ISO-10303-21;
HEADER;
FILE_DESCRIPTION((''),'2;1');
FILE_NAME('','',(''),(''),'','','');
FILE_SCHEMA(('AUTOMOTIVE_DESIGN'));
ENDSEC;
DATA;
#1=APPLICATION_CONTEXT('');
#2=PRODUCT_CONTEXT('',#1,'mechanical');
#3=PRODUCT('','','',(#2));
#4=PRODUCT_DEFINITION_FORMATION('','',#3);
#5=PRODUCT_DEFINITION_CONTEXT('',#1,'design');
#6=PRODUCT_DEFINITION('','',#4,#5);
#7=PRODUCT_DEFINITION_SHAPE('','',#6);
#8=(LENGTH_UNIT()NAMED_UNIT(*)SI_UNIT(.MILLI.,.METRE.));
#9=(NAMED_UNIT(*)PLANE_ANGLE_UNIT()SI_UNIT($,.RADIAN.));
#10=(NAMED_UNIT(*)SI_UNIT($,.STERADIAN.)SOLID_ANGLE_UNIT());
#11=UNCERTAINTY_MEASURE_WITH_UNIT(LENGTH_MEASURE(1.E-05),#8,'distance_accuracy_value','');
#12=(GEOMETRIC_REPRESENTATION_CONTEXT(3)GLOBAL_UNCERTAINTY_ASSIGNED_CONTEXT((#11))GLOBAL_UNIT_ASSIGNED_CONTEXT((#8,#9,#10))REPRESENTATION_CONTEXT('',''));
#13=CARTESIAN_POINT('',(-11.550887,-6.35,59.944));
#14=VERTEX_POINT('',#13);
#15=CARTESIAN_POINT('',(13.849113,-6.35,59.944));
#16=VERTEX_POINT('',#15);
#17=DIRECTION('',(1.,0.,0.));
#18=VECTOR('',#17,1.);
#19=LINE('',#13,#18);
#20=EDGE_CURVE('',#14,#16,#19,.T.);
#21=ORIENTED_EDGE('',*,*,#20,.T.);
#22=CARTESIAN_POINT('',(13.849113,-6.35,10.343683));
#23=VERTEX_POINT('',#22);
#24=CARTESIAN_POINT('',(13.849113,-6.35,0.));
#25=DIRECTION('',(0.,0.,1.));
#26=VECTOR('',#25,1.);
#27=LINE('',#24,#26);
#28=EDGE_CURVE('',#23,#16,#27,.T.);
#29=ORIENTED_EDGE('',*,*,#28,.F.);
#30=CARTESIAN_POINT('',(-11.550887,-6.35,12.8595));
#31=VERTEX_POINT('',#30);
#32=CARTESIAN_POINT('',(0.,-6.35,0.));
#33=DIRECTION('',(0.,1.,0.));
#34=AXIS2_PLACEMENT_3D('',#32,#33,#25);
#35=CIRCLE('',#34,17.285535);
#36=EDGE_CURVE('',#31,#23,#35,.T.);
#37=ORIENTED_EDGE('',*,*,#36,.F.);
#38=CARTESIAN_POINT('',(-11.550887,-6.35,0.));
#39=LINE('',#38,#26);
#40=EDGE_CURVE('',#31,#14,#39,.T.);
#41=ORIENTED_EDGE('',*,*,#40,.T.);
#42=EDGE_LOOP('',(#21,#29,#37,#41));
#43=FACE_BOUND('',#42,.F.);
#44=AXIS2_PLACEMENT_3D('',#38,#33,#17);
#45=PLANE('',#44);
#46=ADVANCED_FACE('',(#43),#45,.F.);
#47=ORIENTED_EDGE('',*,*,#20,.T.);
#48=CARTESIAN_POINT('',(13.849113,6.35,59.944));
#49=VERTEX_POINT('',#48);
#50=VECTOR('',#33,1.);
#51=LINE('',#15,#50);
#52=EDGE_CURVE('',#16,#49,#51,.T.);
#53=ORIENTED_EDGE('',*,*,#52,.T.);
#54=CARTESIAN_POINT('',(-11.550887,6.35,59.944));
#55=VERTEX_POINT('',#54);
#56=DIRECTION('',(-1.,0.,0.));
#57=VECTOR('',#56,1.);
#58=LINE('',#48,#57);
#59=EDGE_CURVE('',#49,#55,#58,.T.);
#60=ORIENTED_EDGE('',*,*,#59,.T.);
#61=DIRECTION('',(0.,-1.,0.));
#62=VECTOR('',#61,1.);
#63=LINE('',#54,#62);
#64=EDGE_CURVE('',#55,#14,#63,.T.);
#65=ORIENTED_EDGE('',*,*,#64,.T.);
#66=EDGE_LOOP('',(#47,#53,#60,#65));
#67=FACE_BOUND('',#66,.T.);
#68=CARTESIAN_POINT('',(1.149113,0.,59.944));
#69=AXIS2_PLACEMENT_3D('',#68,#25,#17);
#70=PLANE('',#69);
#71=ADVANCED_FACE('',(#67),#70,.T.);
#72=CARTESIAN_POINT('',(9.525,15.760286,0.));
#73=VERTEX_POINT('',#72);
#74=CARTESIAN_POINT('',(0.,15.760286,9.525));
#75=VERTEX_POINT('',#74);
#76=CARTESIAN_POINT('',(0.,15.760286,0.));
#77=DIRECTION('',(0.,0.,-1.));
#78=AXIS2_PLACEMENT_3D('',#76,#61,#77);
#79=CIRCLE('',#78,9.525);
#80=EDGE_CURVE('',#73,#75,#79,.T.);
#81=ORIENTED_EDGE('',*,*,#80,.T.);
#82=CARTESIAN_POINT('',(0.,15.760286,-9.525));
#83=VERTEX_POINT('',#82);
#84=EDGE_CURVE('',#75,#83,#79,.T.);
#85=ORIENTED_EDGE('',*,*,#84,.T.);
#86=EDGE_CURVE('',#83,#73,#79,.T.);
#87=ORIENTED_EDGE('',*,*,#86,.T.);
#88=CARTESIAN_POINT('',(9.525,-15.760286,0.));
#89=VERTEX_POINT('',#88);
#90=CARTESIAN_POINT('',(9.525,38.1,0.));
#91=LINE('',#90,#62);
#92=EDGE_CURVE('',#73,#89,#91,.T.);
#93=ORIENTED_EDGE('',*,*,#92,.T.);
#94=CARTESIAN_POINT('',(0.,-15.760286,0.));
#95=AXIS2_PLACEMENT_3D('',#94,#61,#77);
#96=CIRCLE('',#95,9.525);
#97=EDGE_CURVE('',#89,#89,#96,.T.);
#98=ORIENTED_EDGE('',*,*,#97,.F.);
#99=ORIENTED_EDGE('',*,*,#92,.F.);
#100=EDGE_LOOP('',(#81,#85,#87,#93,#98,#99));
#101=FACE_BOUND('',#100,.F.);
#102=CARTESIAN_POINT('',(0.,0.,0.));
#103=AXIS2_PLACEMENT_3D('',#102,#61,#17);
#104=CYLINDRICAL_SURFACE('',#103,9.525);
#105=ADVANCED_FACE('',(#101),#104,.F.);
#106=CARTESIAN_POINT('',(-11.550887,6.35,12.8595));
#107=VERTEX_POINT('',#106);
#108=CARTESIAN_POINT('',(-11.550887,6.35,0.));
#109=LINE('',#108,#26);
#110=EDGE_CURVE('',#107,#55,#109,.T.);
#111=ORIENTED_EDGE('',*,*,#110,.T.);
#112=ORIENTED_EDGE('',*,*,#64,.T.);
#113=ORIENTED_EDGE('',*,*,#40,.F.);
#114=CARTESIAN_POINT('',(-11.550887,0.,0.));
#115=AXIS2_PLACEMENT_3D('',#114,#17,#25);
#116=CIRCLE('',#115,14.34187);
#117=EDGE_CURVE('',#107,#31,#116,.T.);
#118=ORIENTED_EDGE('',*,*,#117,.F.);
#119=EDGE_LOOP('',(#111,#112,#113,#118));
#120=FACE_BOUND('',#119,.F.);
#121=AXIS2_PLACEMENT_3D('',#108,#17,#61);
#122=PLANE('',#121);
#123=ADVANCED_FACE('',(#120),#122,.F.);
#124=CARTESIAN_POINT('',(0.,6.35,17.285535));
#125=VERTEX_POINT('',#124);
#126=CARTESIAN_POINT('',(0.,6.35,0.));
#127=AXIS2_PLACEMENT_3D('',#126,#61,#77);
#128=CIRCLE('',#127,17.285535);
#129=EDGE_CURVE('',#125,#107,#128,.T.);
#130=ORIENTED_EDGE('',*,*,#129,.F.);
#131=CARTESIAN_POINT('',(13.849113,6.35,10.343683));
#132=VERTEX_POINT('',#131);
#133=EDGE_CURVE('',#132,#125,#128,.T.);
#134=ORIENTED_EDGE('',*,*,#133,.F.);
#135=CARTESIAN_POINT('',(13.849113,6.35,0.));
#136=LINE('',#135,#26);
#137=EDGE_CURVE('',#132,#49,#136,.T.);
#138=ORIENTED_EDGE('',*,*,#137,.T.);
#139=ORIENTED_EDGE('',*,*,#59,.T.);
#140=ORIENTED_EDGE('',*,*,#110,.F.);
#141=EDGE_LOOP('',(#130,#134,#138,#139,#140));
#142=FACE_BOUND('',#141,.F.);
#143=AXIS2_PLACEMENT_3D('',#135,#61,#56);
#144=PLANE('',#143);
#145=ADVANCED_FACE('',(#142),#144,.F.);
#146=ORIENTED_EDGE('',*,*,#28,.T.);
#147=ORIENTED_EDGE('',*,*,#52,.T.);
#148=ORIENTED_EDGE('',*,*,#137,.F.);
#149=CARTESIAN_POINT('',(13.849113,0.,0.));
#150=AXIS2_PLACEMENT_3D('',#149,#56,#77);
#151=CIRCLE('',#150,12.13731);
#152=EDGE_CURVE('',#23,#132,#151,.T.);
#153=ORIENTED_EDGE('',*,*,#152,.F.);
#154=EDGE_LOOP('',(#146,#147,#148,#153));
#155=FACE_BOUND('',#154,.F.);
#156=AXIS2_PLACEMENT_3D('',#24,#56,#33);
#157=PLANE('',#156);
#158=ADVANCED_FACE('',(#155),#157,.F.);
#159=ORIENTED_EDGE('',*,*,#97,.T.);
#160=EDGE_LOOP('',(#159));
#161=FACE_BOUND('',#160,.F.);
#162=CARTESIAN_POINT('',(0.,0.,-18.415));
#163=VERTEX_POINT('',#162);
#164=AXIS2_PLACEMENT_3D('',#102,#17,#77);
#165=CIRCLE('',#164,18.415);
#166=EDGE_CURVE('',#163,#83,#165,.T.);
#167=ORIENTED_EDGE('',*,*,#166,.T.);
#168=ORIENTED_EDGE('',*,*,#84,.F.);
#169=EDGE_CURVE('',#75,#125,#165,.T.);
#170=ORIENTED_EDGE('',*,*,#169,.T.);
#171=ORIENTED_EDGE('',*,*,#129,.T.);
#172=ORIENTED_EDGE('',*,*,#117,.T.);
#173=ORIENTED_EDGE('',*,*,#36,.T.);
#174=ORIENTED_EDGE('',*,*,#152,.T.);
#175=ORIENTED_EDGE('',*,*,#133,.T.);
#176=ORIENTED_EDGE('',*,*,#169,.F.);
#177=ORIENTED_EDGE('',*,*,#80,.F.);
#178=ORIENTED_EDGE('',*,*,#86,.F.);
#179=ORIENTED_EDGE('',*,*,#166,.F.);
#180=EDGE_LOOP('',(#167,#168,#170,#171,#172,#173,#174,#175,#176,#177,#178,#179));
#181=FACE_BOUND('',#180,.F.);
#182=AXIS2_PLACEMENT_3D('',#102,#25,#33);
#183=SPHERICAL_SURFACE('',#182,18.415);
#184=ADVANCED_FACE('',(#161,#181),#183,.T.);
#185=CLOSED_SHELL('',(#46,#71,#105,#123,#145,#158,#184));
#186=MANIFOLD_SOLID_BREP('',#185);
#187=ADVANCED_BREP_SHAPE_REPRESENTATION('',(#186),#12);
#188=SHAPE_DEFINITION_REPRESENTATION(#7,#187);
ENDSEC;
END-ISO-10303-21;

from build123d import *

# Parameters (mm, degrees)
F3_DEPTH = 59.944
F4_R     = 9.525
F5_DEPTH = 38.1


with BuildPart() as f1:
    # F0 (on Right) → F1 (revolve)
    with BuildSketch(Plane.YZ):
        with BuildLine():
            Line((0, 0), (0, -18.415))
            ThreePointArc((0, -18.415), (18.415, 0), (0, 18.415))
            Line((0, 18.415), (0, 0))
        make_face()
    revolve(axis=Axis((0, 0, -9.2075), (0, 0, -1)))

    # F2 (on Top) → F3 (join)
    with BuildSketch(Plane.XY):
        Polygon((13.84911329, 6.35), (-11.55088671, 6.35), (-11.55088671, -6.35), (0, -6.35), (13.84911329, -6.35), align=None)
    extrude(amount=F3_DEPTH)

    # F4 (on Front) → F5 (cut, symmetric)
    with BuildSketch(Plane.XZ):
        Circle(F4_R)
    extrude(amount=F5_DEPTH, both=True, mode=Mode.SUBTRACT)


solid = f1.part
